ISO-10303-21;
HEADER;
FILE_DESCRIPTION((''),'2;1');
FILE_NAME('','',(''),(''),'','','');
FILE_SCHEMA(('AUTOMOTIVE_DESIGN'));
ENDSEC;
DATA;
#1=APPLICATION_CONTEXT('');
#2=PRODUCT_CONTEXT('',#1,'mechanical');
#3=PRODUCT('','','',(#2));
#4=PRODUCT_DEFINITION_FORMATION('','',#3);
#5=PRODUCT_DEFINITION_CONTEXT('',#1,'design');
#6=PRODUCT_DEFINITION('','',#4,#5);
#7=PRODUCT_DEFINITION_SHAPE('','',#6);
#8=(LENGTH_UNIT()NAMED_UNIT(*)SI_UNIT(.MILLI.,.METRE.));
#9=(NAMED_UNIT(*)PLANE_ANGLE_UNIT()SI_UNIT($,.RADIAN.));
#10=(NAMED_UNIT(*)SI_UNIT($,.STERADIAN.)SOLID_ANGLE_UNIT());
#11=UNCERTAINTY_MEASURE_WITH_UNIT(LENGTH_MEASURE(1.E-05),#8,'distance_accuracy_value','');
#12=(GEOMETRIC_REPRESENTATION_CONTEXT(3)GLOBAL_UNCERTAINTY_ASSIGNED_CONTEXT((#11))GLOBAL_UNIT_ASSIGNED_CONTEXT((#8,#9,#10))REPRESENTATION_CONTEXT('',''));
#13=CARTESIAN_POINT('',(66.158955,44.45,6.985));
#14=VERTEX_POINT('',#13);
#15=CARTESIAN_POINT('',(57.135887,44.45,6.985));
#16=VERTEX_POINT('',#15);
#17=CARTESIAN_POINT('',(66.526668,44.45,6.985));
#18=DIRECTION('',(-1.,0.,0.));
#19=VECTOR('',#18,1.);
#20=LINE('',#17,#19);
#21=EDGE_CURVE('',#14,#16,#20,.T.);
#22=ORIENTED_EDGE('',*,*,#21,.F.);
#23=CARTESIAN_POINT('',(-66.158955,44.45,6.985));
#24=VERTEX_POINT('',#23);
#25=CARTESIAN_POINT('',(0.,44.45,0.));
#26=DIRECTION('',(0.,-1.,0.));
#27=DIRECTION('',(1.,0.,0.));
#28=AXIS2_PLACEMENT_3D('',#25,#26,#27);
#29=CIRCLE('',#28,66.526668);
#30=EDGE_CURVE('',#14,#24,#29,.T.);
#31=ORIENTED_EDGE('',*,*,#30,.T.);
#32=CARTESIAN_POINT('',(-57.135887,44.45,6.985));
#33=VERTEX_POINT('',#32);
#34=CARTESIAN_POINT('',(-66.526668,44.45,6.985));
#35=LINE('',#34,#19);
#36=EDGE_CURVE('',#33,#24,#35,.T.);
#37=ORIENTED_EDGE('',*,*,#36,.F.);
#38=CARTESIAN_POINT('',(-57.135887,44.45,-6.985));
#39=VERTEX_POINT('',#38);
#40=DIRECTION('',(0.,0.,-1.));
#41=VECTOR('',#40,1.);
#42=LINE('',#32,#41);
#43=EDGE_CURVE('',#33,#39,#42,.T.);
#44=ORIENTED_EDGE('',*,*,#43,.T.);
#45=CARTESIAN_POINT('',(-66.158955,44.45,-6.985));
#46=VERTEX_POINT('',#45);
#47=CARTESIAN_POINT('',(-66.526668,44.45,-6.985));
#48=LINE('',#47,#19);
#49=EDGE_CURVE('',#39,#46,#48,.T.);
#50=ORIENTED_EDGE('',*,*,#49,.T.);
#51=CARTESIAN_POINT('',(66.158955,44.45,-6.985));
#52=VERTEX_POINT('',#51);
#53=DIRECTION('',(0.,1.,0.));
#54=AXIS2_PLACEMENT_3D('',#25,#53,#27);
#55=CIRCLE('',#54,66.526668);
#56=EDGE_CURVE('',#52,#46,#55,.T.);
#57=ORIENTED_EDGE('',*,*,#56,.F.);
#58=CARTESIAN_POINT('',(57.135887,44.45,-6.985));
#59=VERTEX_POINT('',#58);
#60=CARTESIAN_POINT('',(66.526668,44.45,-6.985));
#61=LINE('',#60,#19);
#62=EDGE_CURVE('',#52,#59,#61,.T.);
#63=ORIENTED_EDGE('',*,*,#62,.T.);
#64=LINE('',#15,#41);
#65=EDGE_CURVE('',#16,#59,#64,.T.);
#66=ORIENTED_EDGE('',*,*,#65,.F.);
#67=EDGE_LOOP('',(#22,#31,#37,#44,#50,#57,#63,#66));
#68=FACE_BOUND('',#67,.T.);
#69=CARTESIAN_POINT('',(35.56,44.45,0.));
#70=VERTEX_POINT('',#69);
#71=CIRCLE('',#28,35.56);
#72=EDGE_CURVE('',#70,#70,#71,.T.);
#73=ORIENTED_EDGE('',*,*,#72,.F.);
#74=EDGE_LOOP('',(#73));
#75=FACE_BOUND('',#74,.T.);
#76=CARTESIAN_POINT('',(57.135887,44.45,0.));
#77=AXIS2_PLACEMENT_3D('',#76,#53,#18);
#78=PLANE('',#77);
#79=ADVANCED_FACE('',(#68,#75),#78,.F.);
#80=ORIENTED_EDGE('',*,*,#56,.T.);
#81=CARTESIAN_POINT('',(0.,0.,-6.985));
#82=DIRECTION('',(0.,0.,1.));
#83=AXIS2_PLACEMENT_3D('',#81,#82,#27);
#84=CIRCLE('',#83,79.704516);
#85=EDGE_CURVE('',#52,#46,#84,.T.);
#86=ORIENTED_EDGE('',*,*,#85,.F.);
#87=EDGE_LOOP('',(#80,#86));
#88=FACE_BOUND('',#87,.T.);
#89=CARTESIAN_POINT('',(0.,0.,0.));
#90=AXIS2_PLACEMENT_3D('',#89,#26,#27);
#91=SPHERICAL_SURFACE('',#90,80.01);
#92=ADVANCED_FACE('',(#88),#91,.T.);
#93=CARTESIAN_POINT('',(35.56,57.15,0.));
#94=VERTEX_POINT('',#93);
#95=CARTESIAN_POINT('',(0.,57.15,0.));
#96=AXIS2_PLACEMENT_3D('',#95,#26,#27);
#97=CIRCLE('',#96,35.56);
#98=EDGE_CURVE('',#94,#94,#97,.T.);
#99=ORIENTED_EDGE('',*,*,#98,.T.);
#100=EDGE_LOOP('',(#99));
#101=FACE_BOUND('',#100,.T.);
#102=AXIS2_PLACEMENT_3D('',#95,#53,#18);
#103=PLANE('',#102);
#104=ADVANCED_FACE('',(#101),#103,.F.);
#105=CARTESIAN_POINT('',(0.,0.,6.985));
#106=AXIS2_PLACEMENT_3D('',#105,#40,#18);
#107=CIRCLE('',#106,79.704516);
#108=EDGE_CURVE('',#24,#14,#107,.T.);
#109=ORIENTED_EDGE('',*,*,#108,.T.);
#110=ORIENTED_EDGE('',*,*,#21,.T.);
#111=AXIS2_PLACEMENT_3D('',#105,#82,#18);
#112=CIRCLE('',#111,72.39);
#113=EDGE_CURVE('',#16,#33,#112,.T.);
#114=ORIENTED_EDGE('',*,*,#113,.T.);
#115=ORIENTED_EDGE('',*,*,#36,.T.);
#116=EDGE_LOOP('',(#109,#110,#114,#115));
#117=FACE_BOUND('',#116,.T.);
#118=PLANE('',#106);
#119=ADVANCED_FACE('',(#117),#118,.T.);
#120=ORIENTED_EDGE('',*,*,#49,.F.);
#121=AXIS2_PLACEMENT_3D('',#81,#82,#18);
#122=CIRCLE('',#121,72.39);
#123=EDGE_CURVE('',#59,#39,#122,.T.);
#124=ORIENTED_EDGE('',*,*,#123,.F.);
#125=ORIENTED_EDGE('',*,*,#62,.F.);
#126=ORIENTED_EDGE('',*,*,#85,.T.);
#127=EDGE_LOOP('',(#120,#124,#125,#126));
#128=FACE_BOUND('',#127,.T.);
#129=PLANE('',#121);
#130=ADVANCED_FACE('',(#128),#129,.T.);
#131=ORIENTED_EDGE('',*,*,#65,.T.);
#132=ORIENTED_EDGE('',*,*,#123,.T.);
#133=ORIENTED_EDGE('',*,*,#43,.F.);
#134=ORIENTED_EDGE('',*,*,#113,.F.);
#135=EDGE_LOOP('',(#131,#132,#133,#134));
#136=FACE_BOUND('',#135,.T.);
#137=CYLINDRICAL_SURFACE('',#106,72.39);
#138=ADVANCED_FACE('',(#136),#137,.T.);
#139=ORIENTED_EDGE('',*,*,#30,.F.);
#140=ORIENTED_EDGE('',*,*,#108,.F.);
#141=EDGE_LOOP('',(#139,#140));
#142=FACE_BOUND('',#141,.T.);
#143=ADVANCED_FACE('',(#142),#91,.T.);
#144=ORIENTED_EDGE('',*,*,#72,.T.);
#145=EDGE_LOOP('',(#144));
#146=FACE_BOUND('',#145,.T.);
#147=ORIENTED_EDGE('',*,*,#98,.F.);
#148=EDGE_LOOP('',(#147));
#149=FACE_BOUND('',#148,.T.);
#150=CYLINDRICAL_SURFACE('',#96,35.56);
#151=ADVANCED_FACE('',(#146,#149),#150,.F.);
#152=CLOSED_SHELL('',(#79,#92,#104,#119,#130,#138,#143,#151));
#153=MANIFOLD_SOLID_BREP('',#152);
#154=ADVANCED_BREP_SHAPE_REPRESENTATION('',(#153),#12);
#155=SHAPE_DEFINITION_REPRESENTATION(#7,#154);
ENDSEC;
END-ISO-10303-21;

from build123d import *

# Parameters (mm, degrees)
REVOLVE3_ANGLE     = 180
CUT_EXTRUDE2_DEPTH = 6.985


with BuildPart() as part:
    # Sketch1 → Revolve3 (revolve)
    with BuildSketch(Plane.XY):
        with BuildLine():
            Line((-57.135887146, 44.45), (-35.56, 44.45))
            Line((-35.56, 44.45), (-35.56, 57.15))
            Line((-35.56, 57.15), (0, 57.15))
            Line((0, 57.15), (0, 72.39))
            Line((0, 72.39), (0, 80.01))
            ThreePointArc((0, 80.01), (-37.717075708, 70.562187466), (-66.526668337, 44.45))
            Line((-66.526668337, 44.45), (-57.135887146, 44.45))
        make_face()
    revolve3 = revolve(axis=Axis((0, 57.15, 0), (0, 1, 0)), revolution_arc=REVOLVE3_ANGLE)

    # Sketch4 → Cut-Extrude2 (cut)
    with BuildSketch(Plane(origin=(0, 0, 0), x_dir=(-1, 0, 0), z_dir=(0, 0, -1))):
        with BuildLine():
            Line((-66.526668337, 44.45), (-57.135887146, 44.45))
            ThreePointArc((-57.135887146, 44.45), (0, 72.39), (57.135887146, 44.45))
            Line((57.135887146, 44.45), (66.526668337, 44.45))
            ThreePointArc((66.526668337, 44.45), (0, 80.01), (-66.526668337, 44.45))
        make_face()
    cut_extrude2 = extrude(amount=-CUT_EXTRUDE2_DEPTH, mode=Mode.SUBTRACT)

    # Mirror1: Revolve3, Cut-Extrude2 across Front Plane
    add(revolve3.mirror(Plane.XY))
    add(cut_extrude2.mirror(Plane.XY), mode=Mode.SUBTRACT)


solid = part.part
